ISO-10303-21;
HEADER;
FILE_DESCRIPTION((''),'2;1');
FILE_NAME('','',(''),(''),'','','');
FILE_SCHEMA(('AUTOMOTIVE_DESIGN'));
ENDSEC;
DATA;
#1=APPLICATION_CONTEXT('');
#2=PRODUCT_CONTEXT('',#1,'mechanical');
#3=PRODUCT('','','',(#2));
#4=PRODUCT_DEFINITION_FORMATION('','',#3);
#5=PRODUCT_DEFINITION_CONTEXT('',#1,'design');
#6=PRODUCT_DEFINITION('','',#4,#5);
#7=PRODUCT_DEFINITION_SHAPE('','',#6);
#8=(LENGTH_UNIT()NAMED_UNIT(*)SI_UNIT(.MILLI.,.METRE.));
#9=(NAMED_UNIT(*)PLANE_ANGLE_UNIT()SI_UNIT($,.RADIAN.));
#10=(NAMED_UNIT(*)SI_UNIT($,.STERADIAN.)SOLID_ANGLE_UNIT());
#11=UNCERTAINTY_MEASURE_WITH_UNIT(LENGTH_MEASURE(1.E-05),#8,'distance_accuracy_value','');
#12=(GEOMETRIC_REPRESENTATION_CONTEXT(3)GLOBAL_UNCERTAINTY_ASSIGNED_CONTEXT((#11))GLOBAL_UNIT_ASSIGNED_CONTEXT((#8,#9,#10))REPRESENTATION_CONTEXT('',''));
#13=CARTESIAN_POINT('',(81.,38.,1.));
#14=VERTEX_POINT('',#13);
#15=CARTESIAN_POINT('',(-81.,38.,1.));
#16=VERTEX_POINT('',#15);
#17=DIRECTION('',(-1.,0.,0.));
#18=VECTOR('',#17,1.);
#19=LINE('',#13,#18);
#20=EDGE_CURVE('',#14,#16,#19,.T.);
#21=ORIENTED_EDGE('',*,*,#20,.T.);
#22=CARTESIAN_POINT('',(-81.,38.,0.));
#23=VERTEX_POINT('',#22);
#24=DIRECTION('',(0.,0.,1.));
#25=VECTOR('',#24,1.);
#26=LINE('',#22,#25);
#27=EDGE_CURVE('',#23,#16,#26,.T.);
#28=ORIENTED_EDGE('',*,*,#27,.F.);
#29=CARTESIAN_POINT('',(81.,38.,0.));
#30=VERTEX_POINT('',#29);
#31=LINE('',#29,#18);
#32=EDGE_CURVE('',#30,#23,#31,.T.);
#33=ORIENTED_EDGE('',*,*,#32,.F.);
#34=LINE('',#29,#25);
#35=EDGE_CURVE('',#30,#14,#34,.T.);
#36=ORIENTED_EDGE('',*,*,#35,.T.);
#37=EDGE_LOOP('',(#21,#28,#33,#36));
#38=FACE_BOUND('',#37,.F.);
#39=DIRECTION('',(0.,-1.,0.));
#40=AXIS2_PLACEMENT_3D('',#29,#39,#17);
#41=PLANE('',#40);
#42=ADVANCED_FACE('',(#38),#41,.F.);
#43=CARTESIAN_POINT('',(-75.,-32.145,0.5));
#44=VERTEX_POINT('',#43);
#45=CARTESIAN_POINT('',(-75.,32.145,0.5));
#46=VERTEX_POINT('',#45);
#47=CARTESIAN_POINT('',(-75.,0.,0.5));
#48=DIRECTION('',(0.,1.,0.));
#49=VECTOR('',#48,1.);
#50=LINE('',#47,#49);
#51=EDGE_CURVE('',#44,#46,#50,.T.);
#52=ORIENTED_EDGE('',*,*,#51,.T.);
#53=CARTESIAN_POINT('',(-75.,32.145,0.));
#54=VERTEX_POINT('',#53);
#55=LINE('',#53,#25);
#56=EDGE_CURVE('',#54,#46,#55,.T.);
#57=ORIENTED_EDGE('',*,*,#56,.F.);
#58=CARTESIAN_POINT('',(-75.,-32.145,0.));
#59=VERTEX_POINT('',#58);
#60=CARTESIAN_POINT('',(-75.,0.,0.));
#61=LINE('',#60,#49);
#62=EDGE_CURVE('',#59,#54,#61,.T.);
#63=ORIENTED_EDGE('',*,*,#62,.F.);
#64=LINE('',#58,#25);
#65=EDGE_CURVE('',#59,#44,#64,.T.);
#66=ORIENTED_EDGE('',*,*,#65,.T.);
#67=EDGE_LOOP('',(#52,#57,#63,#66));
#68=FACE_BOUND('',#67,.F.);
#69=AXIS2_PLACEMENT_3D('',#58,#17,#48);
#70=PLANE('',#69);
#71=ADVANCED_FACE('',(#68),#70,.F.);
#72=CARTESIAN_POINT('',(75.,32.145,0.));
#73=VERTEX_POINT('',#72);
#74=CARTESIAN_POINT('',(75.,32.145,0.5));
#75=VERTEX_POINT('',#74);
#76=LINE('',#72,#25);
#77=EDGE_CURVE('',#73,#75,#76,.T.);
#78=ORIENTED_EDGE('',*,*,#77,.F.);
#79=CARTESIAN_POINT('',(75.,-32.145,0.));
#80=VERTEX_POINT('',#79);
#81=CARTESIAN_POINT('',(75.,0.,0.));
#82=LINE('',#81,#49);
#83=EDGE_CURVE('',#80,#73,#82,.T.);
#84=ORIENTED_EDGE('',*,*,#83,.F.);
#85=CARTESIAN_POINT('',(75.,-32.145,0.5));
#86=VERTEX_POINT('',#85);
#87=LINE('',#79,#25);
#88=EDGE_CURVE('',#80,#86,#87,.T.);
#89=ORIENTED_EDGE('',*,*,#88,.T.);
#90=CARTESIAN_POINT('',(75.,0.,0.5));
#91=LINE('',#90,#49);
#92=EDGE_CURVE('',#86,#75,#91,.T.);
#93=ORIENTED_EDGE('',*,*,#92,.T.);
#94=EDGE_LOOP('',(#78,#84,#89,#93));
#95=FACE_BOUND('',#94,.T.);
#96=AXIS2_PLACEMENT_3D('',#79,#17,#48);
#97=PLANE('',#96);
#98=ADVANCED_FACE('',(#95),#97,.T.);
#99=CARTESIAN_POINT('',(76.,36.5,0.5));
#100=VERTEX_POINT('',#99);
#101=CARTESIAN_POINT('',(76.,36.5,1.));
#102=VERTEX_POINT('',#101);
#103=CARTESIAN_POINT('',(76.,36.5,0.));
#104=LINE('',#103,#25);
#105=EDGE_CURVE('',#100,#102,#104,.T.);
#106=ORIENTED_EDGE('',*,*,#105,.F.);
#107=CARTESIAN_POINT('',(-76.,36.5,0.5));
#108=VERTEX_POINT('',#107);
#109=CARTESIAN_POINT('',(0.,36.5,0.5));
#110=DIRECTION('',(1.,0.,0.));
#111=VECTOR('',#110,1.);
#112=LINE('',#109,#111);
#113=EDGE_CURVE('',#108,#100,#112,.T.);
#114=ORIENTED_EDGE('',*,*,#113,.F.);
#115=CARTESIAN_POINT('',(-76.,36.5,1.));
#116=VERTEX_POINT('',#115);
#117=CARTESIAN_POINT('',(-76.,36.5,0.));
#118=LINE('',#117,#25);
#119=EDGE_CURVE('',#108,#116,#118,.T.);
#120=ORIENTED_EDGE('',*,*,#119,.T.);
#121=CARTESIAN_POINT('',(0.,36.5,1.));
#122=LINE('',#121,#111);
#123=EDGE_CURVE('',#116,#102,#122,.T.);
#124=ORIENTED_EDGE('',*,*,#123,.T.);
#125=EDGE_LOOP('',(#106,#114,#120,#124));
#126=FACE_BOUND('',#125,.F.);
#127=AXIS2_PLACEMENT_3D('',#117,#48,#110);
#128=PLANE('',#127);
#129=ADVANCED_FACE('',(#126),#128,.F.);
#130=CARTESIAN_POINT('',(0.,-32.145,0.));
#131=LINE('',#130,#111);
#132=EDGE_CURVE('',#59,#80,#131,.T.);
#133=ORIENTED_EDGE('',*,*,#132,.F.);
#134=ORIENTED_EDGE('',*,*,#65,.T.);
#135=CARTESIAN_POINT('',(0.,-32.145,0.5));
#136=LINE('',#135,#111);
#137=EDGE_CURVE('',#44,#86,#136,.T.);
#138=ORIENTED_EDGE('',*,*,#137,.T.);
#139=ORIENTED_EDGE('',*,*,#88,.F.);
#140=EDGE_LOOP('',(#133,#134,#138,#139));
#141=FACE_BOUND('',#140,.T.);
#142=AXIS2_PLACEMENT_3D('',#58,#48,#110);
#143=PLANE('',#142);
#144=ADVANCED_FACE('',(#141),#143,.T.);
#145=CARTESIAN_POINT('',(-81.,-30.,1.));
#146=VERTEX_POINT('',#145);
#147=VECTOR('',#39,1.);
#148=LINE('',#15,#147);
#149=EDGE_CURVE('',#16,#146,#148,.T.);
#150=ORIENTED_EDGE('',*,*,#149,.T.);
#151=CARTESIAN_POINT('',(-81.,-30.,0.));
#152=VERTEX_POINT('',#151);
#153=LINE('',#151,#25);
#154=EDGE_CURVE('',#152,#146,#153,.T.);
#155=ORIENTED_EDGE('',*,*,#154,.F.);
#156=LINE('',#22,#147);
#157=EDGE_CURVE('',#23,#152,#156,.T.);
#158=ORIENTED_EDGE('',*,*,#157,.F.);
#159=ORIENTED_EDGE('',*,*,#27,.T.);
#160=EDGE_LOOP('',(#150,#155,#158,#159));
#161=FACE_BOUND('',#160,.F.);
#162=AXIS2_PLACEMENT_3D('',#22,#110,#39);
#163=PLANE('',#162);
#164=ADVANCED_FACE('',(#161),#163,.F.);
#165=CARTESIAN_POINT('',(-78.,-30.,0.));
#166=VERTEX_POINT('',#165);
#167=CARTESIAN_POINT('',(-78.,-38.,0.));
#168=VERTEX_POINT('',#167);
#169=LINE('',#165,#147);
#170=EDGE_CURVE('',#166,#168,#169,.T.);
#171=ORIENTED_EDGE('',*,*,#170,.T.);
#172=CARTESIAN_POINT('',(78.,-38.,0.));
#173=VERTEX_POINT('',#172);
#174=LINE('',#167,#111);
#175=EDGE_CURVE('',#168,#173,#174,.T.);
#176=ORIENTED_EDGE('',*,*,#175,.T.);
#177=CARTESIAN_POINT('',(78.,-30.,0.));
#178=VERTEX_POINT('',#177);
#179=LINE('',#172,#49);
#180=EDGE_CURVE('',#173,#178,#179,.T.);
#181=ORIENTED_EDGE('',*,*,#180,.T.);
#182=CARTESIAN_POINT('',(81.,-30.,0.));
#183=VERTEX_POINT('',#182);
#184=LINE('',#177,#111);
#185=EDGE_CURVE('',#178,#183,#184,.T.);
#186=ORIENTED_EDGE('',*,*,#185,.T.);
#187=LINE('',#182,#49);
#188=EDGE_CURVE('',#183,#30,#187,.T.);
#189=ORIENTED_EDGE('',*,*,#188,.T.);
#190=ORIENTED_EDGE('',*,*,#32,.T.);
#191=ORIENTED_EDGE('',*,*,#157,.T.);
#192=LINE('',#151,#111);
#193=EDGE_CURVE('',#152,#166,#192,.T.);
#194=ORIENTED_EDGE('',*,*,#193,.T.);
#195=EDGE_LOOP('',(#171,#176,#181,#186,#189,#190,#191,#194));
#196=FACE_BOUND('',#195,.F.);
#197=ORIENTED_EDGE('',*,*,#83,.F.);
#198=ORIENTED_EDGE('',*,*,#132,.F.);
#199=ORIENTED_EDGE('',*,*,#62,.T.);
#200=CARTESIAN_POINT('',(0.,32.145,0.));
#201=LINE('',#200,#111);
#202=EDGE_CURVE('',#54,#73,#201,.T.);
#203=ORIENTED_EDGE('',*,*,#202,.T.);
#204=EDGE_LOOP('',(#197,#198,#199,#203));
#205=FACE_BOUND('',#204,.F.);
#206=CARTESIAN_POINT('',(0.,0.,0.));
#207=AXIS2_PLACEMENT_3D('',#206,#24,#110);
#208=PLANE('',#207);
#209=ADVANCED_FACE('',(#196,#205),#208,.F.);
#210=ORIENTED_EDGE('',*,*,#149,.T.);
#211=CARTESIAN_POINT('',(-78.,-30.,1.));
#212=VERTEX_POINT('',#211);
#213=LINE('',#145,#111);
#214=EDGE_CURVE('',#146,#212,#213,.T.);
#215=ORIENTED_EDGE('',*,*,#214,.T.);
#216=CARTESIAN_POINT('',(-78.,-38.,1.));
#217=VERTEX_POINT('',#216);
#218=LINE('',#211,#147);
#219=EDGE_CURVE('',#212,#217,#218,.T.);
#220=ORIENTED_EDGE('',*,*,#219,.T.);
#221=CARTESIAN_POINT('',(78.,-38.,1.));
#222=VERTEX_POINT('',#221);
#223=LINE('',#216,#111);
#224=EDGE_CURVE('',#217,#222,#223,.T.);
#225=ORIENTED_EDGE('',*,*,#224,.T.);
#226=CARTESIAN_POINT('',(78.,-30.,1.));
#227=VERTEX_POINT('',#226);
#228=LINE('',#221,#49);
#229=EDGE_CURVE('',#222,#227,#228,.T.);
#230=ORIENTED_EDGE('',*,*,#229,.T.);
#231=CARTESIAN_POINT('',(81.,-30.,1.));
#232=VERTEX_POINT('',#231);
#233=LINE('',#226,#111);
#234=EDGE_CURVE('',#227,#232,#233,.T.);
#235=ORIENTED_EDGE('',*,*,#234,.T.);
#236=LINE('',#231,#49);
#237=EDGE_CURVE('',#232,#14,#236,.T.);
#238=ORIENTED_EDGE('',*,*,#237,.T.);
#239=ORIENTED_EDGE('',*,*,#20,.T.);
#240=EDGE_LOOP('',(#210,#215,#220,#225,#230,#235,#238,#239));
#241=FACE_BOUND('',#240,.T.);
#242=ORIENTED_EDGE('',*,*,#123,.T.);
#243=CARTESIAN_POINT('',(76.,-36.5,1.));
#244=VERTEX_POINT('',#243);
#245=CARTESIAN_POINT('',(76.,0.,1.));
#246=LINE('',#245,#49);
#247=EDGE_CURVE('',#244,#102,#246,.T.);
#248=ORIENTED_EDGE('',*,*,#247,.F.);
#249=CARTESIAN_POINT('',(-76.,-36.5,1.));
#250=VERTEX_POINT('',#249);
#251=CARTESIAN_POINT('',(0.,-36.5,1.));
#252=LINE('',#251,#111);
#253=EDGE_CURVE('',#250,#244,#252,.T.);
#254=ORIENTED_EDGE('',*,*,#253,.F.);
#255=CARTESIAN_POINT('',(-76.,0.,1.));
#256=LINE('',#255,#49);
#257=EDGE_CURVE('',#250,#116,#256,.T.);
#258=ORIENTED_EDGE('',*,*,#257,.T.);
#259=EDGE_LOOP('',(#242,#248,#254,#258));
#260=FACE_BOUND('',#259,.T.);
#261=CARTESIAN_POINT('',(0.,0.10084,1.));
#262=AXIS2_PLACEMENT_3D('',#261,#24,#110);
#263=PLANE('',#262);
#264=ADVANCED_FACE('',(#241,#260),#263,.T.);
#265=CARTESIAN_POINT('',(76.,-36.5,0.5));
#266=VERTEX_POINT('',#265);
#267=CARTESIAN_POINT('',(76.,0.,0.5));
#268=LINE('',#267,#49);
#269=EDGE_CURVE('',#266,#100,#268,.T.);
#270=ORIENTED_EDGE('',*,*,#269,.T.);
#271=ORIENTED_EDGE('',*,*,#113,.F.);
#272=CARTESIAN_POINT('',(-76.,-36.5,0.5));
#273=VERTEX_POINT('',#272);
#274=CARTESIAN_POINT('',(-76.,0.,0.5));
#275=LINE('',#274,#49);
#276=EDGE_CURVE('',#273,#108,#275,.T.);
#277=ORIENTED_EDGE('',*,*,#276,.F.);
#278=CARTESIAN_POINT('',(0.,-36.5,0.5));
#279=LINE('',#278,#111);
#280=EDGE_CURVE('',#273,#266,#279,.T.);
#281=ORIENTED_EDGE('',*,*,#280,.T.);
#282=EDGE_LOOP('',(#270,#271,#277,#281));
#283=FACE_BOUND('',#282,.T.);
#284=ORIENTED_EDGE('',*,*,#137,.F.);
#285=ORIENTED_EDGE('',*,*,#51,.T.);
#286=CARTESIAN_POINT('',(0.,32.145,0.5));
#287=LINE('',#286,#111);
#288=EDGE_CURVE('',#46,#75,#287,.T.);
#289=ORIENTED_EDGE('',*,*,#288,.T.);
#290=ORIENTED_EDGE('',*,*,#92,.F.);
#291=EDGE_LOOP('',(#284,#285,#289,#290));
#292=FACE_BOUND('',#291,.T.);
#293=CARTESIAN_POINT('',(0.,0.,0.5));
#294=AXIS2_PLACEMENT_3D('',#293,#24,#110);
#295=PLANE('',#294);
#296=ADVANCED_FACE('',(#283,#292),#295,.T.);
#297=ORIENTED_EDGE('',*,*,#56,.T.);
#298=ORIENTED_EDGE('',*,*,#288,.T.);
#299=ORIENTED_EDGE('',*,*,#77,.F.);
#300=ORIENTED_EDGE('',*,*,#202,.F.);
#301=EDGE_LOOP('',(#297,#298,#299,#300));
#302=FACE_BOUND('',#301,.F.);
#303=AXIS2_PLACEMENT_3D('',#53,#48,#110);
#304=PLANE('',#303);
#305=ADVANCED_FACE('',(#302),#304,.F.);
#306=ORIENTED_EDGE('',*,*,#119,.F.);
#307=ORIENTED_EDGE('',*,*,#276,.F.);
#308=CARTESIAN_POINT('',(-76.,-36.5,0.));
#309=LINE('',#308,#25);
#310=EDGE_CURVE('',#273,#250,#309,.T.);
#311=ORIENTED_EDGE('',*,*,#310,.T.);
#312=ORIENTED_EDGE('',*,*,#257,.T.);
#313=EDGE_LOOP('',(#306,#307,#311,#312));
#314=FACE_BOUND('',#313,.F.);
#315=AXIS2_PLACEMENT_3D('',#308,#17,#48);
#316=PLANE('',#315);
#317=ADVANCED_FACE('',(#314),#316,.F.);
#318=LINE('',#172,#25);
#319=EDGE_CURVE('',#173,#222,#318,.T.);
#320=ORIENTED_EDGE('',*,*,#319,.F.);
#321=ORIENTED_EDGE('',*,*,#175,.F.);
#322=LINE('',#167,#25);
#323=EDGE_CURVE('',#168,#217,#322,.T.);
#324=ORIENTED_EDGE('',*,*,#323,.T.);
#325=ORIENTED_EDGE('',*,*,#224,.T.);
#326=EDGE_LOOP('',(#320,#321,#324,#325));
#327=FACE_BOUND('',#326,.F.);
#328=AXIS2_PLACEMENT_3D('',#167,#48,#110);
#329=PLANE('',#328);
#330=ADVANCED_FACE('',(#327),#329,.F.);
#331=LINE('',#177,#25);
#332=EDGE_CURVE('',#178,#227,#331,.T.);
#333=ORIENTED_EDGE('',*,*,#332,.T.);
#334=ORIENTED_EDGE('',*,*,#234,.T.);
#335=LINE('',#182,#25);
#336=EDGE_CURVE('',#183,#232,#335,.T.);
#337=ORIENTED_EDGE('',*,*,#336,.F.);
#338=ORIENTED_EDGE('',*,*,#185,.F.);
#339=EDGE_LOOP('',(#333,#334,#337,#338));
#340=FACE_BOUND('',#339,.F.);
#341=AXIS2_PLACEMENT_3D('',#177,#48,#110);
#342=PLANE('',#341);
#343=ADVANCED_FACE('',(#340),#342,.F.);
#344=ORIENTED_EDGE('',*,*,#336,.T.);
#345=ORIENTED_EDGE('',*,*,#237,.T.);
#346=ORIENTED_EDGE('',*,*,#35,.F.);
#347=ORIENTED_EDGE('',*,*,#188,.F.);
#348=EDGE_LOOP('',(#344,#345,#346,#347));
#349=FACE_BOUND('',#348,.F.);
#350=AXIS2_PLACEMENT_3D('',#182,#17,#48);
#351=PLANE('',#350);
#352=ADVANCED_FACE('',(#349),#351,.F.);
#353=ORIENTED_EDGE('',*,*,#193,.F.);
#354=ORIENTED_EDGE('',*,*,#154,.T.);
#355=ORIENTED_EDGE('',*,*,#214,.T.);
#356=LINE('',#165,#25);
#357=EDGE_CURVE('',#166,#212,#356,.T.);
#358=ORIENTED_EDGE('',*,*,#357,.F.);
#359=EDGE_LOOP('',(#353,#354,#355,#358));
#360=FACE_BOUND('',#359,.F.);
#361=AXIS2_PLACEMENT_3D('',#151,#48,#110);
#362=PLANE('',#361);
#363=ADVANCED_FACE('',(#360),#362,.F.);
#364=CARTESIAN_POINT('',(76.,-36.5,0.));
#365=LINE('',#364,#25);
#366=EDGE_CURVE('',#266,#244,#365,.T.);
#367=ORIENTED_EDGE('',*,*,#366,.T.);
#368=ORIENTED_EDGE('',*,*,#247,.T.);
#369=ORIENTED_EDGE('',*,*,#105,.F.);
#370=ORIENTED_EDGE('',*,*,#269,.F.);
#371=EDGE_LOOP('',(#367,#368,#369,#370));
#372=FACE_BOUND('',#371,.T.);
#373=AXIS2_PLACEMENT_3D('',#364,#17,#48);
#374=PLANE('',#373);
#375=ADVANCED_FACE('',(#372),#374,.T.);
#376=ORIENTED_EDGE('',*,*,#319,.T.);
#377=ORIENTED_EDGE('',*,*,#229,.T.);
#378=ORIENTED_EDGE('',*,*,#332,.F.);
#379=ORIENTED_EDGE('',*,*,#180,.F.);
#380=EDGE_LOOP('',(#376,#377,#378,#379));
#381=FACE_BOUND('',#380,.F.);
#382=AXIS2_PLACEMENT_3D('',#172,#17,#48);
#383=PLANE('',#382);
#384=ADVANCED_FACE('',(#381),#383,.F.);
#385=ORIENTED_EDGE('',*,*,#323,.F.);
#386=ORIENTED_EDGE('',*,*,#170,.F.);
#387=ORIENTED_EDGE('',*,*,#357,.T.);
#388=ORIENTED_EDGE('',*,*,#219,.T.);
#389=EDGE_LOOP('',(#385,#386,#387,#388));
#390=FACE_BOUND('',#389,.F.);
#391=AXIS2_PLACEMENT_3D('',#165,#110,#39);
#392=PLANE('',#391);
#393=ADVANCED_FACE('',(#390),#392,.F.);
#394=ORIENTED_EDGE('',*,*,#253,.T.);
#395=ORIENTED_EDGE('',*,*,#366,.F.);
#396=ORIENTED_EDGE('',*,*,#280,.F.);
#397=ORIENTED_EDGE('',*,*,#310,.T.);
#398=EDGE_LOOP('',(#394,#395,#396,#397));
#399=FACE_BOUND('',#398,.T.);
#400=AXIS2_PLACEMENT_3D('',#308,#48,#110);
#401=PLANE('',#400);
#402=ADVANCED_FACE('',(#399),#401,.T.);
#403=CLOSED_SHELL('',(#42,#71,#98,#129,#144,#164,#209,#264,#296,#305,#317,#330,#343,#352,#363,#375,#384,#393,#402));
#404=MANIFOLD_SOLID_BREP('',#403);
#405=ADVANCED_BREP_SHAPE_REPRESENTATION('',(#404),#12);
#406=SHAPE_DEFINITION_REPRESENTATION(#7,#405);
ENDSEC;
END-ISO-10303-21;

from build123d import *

# Parameters (mm, degrees)
F0_W     = 152
F0_H     = 73
F1_DEPTH = 1
F0_W_2   = 150
F0_H_2   = 64.29
F2_DEPTH = 0.5


with BuildPart() as f1:
    # F0 (on Top) → F1 (new body)
    with BuildSketch(Plane.XY):
        Polygon((-78, -30), (-78, -38), (78, -38), (78, -30), (81, -30), (81, 38), (-81, 38), (-81, -30), align=None)
        Rectangle(F0_W, F0_H, mode=Mode.SUBTRACT)
    extrude(amount=F1_DEPTH)

    # F0 (on Top) → F2 (join)
    with BuildSketch(Plane.XY):
        Rectangle(F0_W, F0_H)
        Rectangle(F0_W_2, F0_H_2, mode=Mode.SUBTRACT)
    extrude(amount=F2_DEPTH)


solid = f1.part
